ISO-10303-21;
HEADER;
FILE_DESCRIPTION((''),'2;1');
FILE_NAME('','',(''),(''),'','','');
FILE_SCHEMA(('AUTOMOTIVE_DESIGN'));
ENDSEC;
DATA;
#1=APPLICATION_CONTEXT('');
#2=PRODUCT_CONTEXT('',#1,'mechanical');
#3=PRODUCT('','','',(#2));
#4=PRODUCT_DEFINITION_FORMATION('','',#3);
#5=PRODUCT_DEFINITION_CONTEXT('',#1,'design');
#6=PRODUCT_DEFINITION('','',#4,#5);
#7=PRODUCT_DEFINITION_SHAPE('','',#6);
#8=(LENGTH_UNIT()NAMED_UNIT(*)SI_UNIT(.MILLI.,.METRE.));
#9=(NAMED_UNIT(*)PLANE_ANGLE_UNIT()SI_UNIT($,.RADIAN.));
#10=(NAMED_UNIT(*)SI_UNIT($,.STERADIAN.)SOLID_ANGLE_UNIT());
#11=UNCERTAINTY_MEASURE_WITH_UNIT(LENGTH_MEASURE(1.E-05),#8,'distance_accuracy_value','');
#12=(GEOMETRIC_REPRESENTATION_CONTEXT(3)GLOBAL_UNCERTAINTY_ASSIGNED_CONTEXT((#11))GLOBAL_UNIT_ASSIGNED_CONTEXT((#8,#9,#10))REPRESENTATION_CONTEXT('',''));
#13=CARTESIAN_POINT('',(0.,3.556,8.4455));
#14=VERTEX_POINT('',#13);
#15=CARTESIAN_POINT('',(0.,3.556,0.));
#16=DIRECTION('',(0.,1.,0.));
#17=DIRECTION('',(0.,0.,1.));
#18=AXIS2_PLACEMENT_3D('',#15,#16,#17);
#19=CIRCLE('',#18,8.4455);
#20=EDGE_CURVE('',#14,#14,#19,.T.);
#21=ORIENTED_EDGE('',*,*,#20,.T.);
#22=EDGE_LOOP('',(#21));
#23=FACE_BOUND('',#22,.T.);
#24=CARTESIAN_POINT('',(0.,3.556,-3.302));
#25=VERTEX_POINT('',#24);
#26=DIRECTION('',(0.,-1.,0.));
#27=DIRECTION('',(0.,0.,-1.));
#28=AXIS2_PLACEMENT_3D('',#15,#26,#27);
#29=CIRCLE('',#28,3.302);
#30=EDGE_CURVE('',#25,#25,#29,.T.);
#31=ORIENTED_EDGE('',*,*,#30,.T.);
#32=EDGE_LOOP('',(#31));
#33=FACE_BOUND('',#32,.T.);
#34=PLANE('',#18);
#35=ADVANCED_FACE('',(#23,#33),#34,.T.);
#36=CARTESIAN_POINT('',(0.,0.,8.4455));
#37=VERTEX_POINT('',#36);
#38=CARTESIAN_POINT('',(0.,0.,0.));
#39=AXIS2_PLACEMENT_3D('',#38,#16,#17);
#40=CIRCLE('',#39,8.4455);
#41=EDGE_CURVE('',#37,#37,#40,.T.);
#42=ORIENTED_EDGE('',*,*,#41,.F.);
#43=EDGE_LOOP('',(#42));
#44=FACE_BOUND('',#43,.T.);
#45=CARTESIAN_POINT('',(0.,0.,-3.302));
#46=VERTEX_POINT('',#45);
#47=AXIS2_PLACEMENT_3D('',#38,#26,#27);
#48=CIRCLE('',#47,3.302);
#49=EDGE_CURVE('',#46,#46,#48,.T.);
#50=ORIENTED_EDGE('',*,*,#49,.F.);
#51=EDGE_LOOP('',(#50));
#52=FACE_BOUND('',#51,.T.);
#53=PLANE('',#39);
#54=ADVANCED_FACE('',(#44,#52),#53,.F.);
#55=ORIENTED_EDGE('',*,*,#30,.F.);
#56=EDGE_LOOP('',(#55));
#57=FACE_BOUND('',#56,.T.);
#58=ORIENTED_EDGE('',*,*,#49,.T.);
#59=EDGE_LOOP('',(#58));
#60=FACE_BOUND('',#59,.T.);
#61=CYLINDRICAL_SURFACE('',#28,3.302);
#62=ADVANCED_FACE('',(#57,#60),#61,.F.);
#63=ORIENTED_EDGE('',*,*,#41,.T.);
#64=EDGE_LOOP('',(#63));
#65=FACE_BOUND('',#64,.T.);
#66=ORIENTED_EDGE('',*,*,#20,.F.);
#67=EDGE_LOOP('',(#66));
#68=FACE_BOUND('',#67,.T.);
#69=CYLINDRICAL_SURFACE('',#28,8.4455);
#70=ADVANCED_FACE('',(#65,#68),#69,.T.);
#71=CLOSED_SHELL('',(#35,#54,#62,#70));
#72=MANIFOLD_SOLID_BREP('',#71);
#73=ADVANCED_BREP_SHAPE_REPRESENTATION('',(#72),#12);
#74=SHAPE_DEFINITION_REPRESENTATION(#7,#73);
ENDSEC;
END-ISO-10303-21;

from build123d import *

# Parameters (mm, degrees)
SKETCH1_R           = 8.4455
BOSS_EXTRUDE1_DEPTH = 3.556
SKETCH2_R           = 3.302
CUT_EXTRUDE1_DEPTH  = 4.556


with BuildPart() as part:
    # Sketch1 → Boss-Extrude1 (new body)
    with BuildSketch(Plane(origin=(0, 0, 0), x_dir=(1, 0, 0), z_dir=(0, 1, 0))):
        Circle(SKETCH1_R)
    extrude(amount=BOSS_EXTRUDE1_DEPTH)

    # Sketch2 → Cut-Extrude1 (cut, through all)
    with BuildSketch(Plane(origin=(0, 0, 0), x_dir=(-1, 0, 0), z_dir=(0, -1, 0))):
        Circle(SKETCH2_R)
    extrude(amount=-CUT_EXTRUDE1_DEPTH, mode=Mode.SUBTRACT)


solid = part.part
